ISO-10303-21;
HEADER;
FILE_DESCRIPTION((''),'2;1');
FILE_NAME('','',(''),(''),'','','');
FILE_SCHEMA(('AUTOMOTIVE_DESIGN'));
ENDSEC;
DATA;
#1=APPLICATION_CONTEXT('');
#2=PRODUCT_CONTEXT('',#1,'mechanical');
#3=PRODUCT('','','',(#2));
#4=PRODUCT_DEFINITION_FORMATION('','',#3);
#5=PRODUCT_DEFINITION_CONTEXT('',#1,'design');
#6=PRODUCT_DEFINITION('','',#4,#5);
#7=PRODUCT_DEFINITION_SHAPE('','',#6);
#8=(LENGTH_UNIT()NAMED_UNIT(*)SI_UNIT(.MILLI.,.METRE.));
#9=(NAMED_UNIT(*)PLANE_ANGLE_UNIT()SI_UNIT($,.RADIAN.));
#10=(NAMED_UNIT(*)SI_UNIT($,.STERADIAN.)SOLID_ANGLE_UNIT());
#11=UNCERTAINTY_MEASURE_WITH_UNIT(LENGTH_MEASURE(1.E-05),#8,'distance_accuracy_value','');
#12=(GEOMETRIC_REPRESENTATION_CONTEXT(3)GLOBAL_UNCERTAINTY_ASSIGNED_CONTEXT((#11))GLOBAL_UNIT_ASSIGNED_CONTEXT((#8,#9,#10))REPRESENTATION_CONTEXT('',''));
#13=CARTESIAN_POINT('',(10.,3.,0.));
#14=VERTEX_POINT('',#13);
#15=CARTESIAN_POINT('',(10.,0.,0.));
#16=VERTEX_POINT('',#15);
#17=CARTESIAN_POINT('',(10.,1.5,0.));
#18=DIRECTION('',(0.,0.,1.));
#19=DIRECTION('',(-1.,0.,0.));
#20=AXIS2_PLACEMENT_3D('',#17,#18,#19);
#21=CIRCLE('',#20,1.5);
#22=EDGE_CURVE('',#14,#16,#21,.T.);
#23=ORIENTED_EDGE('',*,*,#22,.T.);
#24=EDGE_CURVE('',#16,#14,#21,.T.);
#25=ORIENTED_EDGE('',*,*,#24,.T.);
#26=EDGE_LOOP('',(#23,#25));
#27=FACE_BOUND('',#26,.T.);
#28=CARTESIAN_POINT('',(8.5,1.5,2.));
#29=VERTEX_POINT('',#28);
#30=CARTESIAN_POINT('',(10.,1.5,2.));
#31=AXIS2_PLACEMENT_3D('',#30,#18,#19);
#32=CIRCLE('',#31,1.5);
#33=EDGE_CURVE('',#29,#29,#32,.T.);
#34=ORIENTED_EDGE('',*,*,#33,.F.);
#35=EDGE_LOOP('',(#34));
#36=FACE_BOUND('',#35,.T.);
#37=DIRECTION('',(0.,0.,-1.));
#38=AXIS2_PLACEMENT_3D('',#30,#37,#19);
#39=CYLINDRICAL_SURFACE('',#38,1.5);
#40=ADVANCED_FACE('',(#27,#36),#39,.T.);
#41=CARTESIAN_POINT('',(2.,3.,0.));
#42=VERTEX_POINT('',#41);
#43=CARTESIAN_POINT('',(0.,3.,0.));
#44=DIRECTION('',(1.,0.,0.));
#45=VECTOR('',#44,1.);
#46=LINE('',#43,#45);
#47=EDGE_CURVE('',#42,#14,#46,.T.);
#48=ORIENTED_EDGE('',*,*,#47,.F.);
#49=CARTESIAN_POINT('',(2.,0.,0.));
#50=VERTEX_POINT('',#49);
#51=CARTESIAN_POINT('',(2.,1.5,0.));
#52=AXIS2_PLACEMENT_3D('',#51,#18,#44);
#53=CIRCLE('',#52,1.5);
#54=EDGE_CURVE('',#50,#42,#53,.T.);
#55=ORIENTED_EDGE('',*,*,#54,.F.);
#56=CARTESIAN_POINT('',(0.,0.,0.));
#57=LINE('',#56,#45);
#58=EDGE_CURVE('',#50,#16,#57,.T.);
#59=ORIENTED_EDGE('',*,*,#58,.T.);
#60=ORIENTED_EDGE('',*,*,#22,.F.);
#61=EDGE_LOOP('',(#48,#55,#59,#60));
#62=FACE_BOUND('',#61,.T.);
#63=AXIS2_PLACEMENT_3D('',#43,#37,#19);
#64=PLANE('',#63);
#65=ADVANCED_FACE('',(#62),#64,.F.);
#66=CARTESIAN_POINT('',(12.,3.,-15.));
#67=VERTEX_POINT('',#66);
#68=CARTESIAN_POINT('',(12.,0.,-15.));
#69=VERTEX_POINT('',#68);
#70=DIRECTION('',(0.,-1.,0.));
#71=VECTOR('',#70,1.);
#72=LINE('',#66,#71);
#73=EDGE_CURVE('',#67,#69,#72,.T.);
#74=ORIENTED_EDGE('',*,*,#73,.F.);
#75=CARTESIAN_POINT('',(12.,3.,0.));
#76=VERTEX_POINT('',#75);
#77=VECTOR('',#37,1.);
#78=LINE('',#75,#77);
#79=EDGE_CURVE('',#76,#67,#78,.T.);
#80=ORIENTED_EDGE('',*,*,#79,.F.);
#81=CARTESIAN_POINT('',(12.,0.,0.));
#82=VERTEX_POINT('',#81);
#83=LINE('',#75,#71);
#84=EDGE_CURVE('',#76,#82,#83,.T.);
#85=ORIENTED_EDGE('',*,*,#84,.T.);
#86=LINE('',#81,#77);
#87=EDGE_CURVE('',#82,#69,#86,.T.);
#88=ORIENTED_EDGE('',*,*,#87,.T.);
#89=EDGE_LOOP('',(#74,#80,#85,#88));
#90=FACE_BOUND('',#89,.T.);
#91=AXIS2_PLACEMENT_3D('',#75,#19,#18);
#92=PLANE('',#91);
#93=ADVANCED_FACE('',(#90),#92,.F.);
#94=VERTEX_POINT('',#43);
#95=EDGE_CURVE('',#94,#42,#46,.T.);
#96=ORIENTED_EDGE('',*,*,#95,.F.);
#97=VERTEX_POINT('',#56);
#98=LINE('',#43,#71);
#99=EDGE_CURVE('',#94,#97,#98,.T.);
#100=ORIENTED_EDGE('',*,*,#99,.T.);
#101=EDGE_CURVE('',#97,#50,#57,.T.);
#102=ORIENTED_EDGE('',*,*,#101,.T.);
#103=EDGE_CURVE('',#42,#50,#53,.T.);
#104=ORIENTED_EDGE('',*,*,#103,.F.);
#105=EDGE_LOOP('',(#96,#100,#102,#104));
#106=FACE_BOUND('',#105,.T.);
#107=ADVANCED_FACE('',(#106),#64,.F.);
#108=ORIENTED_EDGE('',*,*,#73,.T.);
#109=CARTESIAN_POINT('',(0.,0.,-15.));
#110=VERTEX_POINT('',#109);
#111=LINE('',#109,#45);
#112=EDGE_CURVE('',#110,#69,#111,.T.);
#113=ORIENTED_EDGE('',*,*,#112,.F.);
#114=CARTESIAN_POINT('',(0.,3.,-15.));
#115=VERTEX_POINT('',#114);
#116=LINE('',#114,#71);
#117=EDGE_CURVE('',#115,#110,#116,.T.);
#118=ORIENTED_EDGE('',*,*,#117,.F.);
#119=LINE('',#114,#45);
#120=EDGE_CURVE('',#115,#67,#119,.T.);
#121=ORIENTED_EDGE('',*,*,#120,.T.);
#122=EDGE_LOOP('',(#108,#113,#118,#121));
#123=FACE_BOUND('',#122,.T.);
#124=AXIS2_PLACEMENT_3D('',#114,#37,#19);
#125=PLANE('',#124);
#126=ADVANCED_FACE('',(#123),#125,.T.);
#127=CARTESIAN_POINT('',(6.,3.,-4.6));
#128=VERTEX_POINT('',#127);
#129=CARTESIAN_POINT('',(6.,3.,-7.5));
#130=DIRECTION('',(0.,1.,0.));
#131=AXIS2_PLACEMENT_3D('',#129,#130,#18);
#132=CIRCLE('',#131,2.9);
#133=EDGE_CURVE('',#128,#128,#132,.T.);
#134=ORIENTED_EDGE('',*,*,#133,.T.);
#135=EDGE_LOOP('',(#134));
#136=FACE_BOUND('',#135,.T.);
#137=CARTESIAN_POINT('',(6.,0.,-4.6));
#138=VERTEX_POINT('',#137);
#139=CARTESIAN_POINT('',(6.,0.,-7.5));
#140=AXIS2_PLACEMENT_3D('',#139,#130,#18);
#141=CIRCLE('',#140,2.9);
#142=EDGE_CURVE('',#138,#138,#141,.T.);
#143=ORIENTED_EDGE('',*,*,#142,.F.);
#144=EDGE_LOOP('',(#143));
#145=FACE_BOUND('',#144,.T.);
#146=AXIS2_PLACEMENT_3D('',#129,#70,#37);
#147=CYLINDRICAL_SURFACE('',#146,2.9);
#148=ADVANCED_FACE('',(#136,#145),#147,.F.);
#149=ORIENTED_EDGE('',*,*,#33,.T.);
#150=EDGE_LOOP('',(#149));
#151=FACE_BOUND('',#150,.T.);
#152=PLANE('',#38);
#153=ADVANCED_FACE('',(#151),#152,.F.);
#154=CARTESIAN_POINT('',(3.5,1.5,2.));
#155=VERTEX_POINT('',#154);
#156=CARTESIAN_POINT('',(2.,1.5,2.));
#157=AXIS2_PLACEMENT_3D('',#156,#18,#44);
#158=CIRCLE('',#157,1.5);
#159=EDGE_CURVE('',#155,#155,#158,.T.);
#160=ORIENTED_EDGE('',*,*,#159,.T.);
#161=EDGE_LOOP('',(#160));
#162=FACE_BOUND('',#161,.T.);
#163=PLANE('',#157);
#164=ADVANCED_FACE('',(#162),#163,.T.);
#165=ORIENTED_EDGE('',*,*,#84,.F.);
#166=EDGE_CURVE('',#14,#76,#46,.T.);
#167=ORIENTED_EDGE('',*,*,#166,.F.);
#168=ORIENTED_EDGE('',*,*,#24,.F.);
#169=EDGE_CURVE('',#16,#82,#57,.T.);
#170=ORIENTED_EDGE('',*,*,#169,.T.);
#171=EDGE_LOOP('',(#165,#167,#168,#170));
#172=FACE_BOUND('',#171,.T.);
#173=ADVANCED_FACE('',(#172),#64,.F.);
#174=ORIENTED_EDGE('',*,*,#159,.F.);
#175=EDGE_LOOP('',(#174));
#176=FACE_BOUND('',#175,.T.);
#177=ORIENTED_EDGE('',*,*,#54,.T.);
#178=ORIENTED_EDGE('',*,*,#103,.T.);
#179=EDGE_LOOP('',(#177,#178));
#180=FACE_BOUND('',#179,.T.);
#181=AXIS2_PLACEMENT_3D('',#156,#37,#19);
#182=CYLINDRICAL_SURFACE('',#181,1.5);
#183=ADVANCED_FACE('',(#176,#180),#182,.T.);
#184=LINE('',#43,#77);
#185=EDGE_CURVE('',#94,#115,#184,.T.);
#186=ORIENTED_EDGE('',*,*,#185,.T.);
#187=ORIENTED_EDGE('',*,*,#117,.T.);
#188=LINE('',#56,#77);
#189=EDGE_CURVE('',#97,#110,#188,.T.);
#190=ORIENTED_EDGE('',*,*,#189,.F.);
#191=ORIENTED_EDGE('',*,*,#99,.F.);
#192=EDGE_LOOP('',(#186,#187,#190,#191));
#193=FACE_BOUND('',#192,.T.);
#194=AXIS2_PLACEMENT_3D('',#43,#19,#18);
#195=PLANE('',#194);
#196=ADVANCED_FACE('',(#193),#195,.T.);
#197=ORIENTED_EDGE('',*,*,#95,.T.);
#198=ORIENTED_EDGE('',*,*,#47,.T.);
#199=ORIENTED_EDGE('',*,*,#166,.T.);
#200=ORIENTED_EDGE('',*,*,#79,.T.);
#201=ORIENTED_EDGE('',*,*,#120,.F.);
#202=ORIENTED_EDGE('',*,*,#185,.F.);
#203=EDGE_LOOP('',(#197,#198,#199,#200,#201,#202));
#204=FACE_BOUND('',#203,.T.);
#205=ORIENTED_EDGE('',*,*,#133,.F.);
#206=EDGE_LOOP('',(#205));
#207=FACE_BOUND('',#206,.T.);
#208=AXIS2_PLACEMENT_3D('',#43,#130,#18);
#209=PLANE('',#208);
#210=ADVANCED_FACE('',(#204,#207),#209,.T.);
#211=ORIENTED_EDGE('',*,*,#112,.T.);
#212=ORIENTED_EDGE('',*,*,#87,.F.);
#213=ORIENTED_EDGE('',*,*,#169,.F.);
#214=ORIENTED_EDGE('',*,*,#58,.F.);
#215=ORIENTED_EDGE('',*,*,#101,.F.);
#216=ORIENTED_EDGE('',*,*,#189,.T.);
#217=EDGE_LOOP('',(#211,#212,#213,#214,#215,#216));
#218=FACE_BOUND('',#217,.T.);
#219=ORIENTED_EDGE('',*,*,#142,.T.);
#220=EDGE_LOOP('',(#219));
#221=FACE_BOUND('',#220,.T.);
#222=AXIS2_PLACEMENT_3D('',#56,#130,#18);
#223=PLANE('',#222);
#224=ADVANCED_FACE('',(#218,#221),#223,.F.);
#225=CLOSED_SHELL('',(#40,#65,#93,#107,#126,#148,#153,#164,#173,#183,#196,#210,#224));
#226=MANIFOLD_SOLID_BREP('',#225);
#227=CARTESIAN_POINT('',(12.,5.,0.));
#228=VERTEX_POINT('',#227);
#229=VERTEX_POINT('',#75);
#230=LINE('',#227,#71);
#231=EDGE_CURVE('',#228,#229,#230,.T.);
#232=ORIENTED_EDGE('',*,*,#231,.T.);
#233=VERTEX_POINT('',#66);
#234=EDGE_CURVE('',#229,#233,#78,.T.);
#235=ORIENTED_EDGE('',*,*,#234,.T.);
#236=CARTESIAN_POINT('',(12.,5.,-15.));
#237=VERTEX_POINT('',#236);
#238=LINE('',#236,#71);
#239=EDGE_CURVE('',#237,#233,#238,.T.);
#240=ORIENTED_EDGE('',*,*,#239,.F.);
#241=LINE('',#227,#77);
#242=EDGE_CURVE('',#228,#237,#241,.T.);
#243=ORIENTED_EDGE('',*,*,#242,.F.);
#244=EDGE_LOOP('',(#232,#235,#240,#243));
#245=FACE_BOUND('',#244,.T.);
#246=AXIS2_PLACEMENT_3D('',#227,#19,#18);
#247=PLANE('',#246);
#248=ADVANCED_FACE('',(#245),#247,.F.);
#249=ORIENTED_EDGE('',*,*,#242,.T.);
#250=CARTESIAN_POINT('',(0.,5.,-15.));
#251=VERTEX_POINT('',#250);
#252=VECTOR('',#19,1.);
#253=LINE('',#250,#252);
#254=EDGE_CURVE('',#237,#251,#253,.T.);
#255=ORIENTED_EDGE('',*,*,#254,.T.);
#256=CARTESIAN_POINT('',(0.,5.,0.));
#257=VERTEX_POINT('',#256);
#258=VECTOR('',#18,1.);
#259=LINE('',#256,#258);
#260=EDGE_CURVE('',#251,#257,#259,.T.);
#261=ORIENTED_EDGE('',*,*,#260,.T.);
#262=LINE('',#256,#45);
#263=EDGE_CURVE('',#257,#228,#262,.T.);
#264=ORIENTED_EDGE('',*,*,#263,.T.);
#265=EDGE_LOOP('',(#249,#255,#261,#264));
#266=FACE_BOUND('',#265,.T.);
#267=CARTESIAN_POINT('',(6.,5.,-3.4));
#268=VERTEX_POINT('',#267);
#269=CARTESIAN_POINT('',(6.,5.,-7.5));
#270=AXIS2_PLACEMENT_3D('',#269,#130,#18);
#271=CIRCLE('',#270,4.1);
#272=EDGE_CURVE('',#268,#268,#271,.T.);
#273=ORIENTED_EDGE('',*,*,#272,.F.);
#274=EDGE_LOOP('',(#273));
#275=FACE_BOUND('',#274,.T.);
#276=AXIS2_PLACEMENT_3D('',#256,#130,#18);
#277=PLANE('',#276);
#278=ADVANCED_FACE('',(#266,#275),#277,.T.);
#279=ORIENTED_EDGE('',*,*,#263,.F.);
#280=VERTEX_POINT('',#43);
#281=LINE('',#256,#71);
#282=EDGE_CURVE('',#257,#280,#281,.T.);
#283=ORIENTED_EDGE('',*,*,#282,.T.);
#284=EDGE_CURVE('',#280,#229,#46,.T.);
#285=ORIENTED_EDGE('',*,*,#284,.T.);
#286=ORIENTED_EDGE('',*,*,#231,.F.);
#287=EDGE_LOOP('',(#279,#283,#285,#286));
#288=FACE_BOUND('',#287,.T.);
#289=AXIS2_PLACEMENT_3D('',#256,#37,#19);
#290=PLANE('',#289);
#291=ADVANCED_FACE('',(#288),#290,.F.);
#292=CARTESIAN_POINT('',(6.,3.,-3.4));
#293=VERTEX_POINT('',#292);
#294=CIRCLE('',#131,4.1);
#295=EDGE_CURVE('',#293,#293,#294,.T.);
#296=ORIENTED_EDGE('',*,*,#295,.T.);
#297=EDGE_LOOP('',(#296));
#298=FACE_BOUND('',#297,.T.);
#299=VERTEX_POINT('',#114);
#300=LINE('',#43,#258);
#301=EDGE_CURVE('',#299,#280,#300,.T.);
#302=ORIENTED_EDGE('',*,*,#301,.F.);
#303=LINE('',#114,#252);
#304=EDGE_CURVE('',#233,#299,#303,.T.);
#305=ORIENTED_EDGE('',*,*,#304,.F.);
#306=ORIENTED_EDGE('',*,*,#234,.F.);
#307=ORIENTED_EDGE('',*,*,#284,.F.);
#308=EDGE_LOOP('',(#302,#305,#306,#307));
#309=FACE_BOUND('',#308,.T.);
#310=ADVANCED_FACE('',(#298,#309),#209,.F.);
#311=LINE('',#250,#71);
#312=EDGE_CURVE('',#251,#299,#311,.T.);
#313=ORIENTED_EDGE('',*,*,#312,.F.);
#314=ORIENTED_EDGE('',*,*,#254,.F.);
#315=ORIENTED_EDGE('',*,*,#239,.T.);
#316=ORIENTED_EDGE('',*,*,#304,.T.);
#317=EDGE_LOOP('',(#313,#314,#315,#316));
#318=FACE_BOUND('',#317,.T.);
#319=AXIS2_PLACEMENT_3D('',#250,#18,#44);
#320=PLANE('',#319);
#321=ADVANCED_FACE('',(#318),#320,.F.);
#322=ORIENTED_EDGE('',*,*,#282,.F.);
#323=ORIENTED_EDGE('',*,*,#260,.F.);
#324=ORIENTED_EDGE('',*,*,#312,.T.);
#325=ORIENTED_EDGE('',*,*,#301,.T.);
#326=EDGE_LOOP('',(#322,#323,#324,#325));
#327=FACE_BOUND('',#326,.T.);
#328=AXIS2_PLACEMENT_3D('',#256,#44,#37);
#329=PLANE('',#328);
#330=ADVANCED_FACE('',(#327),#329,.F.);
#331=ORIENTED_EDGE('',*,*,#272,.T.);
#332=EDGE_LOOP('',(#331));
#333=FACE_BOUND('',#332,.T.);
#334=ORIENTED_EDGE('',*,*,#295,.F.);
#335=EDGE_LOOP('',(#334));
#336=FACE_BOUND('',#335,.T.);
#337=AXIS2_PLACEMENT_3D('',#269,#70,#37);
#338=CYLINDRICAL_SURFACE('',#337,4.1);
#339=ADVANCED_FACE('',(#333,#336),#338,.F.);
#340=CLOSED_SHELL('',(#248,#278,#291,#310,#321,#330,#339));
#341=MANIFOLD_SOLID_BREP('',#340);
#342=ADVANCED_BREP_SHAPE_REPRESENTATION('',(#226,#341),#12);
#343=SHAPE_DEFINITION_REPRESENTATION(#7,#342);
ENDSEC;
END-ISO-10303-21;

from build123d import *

# Parameters (mm, degrees)
SKETCH_1_W      = 12
SKETCH_1_H      = 15
SKETCH_1_R      = 2.9
EXTRUDE_1_DEPTH = 3
SKETCH_3_W      = 12
SKETCH_3_H      = 15
SKETCH_3_R      = 4.1
EXTRUDE_2_DEPTH = 2
SKETCH_7_R      = 1.5
EXTRUDE_3_DEPTH = 2


with BuildPart() as part:
    # 草图1 → 凸台-拉伸1 (new body)
    with BuildSketch(Plane(origin=(0, 0, 0), x_dir=(1, 0, 0), z_dir=(0, 1, 0))):
        with Locations((6, 7.5)):
            Rectangle(SKETCH_1_W, SKETCH_1_H)
        with Locations(Location((6, 7.5, 0), (0, 0, 270))):
            Circle(SKETCH_1_R, mode=Mode.SUBTRACT)
    extrude(amount=EXTRUDE_1_DEPTH)

    # 草图7 → 凸台-拉伸3 (add)
    with BuildSketch(Plane.XY):
        with Locations(Location((2, 1.5, 0), (0, 0, 270))):
            Circle(SKETCH_7_R)
        with Locations(Location((10, 1.5, 0), (0, 0, 180))):
            Circle(SKETCH_7_R)
    extrude(amount=EXTRUDE_3_DEPTH)


with BuildPart() as body_2:
    # 草图3 → 凸台-拉伸2 (new body)
    with BuildSketch(Plane(origin=(0, 3, 0), x_dir=(1, 0, 0), z_dir=(0, 1, 0))):
        with Locations((6, 7.5)):
            Rectangle(SKETCH_3_W, SKETCH_3_H)
        with Locations(Location((6, 7.5, 0), (0, 0, 270))):
            Circle(SKETCH_3_R, mode=Mode.SUBTRACT)
    extrude(amount=EXTRUDE_2_DEPTH)


solid = Compound([part.part, body_2.part])
